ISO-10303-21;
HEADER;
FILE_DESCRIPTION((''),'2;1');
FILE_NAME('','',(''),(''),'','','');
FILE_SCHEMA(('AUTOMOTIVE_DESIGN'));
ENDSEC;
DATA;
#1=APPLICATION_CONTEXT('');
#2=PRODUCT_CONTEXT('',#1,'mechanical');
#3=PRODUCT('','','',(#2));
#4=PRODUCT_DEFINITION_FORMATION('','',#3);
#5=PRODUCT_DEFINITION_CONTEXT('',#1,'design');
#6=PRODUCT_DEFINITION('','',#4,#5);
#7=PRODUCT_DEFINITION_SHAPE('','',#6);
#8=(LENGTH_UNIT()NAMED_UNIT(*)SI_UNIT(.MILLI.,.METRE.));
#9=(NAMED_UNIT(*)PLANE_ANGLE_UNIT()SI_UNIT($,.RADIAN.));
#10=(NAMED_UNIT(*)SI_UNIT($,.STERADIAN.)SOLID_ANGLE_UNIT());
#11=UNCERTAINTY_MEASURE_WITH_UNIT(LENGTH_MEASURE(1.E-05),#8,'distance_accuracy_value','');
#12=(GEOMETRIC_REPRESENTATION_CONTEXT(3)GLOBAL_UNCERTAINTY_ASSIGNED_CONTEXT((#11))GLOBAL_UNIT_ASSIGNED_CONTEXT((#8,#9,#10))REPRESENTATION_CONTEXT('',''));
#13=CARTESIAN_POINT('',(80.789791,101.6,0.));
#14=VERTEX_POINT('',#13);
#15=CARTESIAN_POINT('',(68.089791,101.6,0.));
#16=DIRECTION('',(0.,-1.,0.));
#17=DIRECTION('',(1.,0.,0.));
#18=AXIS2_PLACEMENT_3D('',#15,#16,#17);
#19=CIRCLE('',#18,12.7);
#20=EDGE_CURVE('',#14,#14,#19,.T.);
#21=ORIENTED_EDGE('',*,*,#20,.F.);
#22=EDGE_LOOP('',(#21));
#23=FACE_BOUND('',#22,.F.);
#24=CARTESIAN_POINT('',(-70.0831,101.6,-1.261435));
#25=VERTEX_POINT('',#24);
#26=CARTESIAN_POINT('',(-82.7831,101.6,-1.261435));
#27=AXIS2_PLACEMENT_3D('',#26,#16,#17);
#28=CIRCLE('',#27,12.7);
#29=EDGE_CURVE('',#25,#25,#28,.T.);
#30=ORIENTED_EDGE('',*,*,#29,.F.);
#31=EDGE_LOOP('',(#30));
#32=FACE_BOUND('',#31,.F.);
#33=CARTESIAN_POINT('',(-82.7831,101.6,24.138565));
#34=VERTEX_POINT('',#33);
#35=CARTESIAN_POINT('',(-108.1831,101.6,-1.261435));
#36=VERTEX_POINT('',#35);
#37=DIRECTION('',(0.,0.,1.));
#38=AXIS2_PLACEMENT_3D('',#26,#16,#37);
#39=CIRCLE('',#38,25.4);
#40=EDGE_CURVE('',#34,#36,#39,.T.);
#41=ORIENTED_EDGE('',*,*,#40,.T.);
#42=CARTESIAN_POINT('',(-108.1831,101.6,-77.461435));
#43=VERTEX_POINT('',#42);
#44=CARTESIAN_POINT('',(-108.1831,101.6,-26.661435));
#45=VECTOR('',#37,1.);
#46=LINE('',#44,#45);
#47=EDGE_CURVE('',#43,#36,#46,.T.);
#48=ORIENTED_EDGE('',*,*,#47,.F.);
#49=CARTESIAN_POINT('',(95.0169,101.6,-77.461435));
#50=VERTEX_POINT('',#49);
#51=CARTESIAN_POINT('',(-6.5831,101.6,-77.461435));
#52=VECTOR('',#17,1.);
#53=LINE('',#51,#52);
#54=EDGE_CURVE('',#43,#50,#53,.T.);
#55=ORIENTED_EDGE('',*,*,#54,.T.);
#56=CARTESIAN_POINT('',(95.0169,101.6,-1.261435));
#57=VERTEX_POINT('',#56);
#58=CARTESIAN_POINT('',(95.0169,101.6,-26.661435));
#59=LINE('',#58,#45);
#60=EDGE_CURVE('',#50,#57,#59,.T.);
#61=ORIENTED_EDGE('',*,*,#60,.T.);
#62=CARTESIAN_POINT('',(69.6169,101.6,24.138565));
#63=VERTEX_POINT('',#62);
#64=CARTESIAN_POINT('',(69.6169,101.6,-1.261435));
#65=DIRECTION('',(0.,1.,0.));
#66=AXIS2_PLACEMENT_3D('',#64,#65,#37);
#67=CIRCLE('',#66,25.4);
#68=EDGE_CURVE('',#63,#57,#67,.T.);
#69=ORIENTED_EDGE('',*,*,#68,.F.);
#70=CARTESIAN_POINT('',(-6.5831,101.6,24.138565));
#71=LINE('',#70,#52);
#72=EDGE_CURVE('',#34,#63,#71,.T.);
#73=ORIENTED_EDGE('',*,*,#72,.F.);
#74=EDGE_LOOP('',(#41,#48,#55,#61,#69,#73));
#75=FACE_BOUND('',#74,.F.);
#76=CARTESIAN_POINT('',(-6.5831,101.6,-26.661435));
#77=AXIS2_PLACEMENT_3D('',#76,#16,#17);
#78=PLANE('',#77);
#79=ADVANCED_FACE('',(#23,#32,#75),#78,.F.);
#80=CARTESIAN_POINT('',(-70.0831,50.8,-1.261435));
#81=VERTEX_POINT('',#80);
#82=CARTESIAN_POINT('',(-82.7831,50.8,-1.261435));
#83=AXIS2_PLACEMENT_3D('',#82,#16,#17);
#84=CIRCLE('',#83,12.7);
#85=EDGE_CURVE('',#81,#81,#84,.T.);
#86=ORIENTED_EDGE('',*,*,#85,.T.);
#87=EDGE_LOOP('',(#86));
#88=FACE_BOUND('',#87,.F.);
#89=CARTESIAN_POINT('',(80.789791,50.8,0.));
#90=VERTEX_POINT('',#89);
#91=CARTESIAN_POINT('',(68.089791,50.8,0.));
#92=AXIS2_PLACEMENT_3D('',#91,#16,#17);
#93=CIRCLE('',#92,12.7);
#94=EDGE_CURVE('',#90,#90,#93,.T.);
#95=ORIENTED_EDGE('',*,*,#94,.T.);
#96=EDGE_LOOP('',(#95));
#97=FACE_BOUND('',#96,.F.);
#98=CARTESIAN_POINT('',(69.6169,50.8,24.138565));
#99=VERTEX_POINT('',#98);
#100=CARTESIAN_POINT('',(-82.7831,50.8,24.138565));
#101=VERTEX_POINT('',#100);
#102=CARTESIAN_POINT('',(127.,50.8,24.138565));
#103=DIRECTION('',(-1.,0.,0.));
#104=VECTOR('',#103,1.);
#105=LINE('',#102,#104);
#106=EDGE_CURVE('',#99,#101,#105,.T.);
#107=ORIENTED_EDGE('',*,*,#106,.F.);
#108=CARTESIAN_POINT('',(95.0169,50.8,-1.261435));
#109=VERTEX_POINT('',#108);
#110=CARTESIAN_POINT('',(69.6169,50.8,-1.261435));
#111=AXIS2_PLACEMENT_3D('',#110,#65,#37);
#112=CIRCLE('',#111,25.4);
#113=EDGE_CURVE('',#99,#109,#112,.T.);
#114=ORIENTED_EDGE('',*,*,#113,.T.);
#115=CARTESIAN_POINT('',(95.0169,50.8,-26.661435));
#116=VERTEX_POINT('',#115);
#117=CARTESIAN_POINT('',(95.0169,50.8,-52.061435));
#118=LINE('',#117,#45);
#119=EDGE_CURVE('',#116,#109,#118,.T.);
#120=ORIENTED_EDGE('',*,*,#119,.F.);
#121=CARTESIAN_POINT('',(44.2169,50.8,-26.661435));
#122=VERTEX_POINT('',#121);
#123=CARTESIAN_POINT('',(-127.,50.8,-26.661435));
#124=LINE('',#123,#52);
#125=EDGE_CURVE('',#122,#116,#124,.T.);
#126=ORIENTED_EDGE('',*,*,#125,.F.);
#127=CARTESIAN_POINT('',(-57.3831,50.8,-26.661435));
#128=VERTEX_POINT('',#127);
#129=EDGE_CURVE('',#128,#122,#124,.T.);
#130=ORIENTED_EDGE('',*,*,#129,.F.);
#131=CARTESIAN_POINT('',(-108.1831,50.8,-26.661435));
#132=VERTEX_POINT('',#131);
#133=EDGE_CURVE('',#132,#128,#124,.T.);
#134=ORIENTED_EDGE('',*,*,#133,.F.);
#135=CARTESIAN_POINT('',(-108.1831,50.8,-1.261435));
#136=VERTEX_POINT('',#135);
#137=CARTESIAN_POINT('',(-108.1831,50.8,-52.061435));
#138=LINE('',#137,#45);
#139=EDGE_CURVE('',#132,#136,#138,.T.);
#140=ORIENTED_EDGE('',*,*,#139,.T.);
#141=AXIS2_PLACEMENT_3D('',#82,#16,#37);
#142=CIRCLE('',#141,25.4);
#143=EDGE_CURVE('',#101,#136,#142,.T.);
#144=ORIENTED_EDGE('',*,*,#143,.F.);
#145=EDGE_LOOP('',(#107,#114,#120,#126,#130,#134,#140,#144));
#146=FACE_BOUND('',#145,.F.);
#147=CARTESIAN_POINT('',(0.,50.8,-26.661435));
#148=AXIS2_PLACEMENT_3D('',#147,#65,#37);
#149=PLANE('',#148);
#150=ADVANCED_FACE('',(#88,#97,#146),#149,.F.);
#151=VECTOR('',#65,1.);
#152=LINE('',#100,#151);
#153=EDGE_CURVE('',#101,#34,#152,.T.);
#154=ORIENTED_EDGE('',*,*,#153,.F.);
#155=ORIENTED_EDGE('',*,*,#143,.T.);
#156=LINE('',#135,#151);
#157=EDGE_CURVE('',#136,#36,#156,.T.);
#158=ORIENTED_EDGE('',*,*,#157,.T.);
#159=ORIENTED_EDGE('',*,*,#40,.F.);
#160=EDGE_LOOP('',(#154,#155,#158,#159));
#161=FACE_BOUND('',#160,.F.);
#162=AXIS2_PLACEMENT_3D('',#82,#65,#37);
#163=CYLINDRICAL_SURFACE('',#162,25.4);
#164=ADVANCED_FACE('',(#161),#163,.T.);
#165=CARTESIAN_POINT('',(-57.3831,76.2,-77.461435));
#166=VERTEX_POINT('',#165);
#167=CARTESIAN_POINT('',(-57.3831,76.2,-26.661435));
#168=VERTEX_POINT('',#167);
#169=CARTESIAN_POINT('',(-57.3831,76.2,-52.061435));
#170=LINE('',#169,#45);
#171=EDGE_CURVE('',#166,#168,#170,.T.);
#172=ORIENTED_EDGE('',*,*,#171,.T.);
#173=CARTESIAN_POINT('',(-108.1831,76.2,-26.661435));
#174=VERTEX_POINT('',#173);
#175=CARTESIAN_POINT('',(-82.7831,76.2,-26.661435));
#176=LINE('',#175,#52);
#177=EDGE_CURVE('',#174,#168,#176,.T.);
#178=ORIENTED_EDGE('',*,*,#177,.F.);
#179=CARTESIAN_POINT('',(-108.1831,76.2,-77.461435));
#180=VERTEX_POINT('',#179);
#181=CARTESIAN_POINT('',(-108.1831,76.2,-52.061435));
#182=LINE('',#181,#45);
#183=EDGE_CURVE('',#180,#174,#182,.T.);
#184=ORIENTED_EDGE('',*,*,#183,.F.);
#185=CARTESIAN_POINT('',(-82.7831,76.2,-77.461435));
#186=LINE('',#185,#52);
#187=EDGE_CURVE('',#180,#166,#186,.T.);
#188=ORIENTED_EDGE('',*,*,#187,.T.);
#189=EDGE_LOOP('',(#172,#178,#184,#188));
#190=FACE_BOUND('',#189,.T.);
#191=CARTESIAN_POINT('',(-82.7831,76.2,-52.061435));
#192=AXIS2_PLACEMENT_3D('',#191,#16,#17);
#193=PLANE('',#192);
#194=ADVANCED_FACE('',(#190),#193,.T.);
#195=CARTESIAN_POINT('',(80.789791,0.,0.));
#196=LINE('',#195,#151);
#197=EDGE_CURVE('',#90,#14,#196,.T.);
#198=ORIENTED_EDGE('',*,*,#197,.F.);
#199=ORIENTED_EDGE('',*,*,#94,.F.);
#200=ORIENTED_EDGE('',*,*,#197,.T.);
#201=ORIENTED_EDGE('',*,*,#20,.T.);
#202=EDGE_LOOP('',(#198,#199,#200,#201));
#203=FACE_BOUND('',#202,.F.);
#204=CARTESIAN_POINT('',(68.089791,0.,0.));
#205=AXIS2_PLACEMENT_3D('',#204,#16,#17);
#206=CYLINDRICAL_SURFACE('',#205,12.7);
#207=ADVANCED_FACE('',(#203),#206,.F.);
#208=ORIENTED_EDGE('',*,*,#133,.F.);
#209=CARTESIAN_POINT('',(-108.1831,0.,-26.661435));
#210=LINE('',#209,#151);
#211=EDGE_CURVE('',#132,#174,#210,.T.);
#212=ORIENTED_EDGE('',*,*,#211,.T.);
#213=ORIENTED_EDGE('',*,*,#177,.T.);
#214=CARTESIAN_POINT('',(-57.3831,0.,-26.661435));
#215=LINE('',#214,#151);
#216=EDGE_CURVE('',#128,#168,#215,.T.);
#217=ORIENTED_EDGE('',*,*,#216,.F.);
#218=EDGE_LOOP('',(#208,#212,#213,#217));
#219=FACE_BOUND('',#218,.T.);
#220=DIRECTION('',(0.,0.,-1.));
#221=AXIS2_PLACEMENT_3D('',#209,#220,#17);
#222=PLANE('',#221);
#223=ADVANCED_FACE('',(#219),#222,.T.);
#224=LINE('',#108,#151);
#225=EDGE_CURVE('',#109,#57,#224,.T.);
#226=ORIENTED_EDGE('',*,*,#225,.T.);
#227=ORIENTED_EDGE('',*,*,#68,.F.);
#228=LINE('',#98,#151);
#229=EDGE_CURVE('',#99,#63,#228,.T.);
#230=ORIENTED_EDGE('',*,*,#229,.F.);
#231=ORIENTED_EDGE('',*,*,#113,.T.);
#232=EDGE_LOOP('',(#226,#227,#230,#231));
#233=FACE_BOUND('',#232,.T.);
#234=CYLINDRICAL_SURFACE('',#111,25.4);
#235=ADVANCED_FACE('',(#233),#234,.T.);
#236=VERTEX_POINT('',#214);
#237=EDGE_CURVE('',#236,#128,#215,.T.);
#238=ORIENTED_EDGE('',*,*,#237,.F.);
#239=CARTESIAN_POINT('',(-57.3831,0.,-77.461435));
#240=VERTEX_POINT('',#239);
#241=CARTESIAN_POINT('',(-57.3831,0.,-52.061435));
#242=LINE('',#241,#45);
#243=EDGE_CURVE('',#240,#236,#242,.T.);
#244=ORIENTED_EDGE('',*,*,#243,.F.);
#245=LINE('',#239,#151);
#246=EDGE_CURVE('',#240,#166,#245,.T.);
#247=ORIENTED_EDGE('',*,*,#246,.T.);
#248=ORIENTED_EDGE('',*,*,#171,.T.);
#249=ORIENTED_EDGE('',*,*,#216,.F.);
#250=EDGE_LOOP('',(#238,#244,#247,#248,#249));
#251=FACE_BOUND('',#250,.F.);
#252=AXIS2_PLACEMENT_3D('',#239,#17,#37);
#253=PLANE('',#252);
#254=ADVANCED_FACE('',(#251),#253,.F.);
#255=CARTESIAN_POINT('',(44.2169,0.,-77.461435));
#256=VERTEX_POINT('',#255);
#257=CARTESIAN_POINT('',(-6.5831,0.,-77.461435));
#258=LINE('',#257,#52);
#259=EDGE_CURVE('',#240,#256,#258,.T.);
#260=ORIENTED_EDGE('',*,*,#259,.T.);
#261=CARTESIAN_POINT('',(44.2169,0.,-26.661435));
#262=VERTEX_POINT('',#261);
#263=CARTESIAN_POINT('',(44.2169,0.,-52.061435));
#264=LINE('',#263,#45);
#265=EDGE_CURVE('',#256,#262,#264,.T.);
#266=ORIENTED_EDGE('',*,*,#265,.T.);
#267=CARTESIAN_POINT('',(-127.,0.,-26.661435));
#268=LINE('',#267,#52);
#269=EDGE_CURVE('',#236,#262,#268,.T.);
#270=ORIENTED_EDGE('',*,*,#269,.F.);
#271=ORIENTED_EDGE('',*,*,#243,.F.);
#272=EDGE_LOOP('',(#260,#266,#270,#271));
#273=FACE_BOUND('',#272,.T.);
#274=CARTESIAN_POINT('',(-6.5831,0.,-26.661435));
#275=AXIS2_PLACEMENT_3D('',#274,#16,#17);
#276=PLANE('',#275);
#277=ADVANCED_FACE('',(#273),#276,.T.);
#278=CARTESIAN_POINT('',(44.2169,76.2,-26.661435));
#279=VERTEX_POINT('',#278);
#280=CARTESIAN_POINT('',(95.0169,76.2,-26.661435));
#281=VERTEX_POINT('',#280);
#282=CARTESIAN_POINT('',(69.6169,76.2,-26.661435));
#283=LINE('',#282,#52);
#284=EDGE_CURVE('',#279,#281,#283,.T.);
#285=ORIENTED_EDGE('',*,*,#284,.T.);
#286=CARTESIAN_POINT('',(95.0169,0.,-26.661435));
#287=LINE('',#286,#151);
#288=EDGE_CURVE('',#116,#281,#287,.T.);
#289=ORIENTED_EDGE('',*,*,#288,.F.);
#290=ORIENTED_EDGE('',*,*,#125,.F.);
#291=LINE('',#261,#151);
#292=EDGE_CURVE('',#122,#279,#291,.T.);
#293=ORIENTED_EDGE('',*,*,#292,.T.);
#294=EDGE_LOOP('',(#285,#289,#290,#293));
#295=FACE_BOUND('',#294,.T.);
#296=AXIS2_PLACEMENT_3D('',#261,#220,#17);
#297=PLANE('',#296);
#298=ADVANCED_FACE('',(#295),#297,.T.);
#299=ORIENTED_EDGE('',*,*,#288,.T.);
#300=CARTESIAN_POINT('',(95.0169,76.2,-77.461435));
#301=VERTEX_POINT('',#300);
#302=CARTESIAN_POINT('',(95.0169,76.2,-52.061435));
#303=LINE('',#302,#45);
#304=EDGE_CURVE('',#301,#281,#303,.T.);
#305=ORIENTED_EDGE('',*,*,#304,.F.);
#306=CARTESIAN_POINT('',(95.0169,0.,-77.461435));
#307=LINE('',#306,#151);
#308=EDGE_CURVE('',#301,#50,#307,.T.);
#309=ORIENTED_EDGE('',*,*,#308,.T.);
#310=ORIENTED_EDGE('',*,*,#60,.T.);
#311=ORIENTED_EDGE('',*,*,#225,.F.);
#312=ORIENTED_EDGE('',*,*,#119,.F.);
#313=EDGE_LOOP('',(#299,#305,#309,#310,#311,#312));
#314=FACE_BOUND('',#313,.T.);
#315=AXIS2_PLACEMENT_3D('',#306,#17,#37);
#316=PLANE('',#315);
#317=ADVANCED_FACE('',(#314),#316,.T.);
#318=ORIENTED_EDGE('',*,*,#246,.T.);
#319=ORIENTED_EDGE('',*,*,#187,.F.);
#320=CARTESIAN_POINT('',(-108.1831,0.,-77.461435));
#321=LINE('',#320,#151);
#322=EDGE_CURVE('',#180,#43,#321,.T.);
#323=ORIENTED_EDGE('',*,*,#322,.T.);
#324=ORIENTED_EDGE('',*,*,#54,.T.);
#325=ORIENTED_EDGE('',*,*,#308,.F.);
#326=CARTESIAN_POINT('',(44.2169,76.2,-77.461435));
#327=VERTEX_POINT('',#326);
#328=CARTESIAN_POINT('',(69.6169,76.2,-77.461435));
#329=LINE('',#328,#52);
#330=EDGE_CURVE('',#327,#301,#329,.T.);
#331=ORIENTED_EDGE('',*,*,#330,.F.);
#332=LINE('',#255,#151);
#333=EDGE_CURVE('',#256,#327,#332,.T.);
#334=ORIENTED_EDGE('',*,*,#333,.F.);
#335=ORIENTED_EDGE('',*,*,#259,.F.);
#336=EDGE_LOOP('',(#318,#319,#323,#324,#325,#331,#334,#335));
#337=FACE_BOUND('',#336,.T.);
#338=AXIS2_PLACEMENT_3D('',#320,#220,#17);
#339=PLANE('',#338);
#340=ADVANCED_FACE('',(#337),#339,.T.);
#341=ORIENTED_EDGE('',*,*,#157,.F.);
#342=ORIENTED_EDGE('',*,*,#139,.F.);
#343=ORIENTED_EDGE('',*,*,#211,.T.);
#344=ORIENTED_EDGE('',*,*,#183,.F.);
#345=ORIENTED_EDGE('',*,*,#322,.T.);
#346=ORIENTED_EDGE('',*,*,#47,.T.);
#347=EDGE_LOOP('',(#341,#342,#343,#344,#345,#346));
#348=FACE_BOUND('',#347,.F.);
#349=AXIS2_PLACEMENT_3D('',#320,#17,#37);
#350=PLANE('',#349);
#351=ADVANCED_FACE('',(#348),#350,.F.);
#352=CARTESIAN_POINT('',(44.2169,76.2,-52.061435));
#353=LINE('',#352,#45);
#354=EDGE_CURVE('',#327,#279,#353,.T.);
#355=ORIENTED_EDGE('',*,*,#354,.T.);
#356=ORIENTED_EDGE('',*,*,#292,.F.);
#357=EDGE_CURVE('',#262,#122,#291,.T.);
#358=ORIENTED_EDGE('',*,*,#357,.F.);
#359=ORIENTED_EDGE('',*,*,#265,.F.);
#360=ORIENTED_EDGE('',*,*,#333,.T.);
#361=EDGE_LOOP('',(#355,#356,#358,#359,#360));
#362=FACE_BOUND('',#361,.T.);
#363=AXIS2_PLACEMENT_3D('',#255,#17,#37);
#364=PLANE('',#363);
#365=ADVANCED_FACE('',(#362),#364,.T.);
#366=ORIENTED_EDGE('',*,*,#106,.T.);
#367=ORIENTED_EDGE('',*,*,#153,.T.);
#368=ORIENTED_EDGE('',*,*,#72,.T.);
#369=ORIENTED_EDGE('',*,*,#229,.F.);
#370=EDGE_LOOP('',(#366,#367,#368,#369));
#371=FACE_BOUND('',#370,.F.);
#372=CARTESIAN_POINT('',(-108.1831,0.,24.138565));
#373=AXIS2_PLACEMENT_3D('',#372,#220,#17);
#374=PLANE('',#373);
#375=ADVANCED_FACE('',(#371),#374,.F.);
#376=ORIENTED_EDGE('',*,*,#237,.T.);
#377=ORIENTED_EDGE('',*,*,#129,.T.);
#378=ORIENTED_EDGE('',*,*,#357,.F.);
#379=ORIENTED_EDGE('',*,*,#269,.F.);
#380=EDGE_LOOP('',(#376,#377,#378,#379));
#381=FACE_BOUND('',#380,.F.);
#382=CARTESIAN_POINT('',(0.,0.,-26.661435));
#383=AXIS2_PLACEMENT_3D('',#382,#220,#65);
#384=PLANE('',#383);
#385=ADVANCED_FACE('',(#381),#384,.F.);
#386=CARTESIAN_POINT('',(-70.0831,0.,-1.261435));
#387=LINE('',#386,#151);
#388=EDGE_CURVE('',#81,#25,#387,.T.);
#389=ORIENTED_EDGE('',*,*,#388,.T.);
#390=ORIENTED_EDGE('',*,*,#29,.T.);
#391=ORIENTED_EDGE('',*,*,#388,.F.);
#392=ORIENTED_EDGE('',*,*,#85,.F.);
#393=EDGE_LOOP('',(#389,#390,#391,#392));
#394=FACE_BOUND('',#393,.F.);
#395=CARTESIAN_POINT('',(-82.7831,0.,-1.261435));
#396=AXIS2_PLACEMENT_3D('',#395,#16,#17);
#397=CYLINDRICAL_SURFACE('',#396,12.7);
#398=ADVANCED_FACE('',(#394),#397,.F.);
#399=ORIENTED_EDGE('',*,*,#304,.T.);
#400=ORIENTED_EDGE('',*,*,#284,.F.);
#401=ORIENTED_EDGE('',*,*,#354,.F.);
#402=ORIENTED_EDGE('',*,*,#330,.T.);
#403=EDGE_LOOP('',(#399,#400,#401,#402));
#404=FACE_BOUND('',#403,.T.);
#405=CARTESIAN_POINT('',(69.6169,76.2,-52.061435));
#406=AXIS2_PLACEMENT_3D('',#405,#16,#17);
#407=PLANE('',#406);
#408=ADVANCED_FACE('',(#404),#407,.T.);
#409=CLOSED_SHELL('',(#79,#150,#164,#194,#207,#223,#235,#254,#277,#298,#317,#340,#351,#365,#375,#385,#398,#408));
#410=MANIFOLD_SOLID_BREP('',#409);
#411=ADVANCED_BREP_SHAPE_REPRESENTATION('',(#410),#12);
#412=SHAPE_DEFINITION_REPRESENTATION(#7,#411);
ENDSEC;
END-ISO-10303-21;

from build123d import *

# Parameters (mm, degrees)
F0_W      = 203.2
F0_H      = 101.6
F1_DEPTH  = 101.6
F2_W      = 50.8
F2_H      = 50.8
F3_DEPTH  = 127
F4_W      = 50.8
F4_H      = 50.8
F5_DEPTH  = 76.2
F6_W      = 50.8
F6_H      = 50.8
F7_DEPTH  = 76.2
F8_R      = 25.4
F9_R      = 25.4
F11_R     = 12.7
F12_DEPTH = 101.601
F10_R     = 12.7
F13_DEPTH = 101.601


with BuildPart() as f1:
    # F0 (on Front) → F1 (new body)
    with BuildSketch(Plane.XZ):
        with Locations((-6.5831001848, -26.6614348247)):
            Rectangle(F0_W, F0_H)
    extrude(amount=-F1_DEPTH)

    # F2 (on Right) → F3 (cut, symmetric)
    with BuildSketch(Plane.YZ):
        with Locations((25.4, -1.2614348247)):
            Rectangle(F2_W, F2_H)
    extrude(amount=F3_DEPTH, both=True, mode=Mode.SUBTRACT)

    # F4 (on Front) → F5 (cut)
    with BuildSketch(Plane.XZ):
        with Locations((-82.7831001848, -52.0614348247)):
            Rectangle(F4_W, F4_H)
    extrude(amount=-F5_DEPTH, mode=Mode.SUBTRACT)

    # F6 (on Front) → F7 (cut)
    with BuildSketch(Plane.XZ):
        with Locations((69.6168998152, -52.0614348247)):
            Rectangle(F6_W, F6_H)
    extrude(amount=-F7_DEPTH, mode=Mode.SUBTRACT)

    # F8
    f8_edges = [f1.edges().sort_by_distance(p)[0] for p in [
        (95.0169, 76.2, 24.138565),
    ]]
    fillet(f8_edges, radius=F8_R)

    # F9
    f9_edges = [f1.edges().sort_by_distance(p)[0] for p in [
        (-108.1831, 76.2, 24.138565),
    ]]
    fillet(f9_edges, radius=F9_R)

    # F11 (on Front) → F12 (cut, through all)
    with BuildSketch(Plane.XZ):
        with Locations((68.0897906423, 0)):
            Circle(F11_R)
    extrude(amount=-F12_DEPTH, mode=Mode.SUBTRACT)

    # F10 (on Front) → F13 (cut, through all)
    with BuildSketch(Plane.XZ):
        with Locations((-82.7831001848, -1.2614348247)):
            Circle(F10_R)
    extrude(amount=-F13_DEPTH, mode=Mode.SUBTRACT)


solid = f1.part
